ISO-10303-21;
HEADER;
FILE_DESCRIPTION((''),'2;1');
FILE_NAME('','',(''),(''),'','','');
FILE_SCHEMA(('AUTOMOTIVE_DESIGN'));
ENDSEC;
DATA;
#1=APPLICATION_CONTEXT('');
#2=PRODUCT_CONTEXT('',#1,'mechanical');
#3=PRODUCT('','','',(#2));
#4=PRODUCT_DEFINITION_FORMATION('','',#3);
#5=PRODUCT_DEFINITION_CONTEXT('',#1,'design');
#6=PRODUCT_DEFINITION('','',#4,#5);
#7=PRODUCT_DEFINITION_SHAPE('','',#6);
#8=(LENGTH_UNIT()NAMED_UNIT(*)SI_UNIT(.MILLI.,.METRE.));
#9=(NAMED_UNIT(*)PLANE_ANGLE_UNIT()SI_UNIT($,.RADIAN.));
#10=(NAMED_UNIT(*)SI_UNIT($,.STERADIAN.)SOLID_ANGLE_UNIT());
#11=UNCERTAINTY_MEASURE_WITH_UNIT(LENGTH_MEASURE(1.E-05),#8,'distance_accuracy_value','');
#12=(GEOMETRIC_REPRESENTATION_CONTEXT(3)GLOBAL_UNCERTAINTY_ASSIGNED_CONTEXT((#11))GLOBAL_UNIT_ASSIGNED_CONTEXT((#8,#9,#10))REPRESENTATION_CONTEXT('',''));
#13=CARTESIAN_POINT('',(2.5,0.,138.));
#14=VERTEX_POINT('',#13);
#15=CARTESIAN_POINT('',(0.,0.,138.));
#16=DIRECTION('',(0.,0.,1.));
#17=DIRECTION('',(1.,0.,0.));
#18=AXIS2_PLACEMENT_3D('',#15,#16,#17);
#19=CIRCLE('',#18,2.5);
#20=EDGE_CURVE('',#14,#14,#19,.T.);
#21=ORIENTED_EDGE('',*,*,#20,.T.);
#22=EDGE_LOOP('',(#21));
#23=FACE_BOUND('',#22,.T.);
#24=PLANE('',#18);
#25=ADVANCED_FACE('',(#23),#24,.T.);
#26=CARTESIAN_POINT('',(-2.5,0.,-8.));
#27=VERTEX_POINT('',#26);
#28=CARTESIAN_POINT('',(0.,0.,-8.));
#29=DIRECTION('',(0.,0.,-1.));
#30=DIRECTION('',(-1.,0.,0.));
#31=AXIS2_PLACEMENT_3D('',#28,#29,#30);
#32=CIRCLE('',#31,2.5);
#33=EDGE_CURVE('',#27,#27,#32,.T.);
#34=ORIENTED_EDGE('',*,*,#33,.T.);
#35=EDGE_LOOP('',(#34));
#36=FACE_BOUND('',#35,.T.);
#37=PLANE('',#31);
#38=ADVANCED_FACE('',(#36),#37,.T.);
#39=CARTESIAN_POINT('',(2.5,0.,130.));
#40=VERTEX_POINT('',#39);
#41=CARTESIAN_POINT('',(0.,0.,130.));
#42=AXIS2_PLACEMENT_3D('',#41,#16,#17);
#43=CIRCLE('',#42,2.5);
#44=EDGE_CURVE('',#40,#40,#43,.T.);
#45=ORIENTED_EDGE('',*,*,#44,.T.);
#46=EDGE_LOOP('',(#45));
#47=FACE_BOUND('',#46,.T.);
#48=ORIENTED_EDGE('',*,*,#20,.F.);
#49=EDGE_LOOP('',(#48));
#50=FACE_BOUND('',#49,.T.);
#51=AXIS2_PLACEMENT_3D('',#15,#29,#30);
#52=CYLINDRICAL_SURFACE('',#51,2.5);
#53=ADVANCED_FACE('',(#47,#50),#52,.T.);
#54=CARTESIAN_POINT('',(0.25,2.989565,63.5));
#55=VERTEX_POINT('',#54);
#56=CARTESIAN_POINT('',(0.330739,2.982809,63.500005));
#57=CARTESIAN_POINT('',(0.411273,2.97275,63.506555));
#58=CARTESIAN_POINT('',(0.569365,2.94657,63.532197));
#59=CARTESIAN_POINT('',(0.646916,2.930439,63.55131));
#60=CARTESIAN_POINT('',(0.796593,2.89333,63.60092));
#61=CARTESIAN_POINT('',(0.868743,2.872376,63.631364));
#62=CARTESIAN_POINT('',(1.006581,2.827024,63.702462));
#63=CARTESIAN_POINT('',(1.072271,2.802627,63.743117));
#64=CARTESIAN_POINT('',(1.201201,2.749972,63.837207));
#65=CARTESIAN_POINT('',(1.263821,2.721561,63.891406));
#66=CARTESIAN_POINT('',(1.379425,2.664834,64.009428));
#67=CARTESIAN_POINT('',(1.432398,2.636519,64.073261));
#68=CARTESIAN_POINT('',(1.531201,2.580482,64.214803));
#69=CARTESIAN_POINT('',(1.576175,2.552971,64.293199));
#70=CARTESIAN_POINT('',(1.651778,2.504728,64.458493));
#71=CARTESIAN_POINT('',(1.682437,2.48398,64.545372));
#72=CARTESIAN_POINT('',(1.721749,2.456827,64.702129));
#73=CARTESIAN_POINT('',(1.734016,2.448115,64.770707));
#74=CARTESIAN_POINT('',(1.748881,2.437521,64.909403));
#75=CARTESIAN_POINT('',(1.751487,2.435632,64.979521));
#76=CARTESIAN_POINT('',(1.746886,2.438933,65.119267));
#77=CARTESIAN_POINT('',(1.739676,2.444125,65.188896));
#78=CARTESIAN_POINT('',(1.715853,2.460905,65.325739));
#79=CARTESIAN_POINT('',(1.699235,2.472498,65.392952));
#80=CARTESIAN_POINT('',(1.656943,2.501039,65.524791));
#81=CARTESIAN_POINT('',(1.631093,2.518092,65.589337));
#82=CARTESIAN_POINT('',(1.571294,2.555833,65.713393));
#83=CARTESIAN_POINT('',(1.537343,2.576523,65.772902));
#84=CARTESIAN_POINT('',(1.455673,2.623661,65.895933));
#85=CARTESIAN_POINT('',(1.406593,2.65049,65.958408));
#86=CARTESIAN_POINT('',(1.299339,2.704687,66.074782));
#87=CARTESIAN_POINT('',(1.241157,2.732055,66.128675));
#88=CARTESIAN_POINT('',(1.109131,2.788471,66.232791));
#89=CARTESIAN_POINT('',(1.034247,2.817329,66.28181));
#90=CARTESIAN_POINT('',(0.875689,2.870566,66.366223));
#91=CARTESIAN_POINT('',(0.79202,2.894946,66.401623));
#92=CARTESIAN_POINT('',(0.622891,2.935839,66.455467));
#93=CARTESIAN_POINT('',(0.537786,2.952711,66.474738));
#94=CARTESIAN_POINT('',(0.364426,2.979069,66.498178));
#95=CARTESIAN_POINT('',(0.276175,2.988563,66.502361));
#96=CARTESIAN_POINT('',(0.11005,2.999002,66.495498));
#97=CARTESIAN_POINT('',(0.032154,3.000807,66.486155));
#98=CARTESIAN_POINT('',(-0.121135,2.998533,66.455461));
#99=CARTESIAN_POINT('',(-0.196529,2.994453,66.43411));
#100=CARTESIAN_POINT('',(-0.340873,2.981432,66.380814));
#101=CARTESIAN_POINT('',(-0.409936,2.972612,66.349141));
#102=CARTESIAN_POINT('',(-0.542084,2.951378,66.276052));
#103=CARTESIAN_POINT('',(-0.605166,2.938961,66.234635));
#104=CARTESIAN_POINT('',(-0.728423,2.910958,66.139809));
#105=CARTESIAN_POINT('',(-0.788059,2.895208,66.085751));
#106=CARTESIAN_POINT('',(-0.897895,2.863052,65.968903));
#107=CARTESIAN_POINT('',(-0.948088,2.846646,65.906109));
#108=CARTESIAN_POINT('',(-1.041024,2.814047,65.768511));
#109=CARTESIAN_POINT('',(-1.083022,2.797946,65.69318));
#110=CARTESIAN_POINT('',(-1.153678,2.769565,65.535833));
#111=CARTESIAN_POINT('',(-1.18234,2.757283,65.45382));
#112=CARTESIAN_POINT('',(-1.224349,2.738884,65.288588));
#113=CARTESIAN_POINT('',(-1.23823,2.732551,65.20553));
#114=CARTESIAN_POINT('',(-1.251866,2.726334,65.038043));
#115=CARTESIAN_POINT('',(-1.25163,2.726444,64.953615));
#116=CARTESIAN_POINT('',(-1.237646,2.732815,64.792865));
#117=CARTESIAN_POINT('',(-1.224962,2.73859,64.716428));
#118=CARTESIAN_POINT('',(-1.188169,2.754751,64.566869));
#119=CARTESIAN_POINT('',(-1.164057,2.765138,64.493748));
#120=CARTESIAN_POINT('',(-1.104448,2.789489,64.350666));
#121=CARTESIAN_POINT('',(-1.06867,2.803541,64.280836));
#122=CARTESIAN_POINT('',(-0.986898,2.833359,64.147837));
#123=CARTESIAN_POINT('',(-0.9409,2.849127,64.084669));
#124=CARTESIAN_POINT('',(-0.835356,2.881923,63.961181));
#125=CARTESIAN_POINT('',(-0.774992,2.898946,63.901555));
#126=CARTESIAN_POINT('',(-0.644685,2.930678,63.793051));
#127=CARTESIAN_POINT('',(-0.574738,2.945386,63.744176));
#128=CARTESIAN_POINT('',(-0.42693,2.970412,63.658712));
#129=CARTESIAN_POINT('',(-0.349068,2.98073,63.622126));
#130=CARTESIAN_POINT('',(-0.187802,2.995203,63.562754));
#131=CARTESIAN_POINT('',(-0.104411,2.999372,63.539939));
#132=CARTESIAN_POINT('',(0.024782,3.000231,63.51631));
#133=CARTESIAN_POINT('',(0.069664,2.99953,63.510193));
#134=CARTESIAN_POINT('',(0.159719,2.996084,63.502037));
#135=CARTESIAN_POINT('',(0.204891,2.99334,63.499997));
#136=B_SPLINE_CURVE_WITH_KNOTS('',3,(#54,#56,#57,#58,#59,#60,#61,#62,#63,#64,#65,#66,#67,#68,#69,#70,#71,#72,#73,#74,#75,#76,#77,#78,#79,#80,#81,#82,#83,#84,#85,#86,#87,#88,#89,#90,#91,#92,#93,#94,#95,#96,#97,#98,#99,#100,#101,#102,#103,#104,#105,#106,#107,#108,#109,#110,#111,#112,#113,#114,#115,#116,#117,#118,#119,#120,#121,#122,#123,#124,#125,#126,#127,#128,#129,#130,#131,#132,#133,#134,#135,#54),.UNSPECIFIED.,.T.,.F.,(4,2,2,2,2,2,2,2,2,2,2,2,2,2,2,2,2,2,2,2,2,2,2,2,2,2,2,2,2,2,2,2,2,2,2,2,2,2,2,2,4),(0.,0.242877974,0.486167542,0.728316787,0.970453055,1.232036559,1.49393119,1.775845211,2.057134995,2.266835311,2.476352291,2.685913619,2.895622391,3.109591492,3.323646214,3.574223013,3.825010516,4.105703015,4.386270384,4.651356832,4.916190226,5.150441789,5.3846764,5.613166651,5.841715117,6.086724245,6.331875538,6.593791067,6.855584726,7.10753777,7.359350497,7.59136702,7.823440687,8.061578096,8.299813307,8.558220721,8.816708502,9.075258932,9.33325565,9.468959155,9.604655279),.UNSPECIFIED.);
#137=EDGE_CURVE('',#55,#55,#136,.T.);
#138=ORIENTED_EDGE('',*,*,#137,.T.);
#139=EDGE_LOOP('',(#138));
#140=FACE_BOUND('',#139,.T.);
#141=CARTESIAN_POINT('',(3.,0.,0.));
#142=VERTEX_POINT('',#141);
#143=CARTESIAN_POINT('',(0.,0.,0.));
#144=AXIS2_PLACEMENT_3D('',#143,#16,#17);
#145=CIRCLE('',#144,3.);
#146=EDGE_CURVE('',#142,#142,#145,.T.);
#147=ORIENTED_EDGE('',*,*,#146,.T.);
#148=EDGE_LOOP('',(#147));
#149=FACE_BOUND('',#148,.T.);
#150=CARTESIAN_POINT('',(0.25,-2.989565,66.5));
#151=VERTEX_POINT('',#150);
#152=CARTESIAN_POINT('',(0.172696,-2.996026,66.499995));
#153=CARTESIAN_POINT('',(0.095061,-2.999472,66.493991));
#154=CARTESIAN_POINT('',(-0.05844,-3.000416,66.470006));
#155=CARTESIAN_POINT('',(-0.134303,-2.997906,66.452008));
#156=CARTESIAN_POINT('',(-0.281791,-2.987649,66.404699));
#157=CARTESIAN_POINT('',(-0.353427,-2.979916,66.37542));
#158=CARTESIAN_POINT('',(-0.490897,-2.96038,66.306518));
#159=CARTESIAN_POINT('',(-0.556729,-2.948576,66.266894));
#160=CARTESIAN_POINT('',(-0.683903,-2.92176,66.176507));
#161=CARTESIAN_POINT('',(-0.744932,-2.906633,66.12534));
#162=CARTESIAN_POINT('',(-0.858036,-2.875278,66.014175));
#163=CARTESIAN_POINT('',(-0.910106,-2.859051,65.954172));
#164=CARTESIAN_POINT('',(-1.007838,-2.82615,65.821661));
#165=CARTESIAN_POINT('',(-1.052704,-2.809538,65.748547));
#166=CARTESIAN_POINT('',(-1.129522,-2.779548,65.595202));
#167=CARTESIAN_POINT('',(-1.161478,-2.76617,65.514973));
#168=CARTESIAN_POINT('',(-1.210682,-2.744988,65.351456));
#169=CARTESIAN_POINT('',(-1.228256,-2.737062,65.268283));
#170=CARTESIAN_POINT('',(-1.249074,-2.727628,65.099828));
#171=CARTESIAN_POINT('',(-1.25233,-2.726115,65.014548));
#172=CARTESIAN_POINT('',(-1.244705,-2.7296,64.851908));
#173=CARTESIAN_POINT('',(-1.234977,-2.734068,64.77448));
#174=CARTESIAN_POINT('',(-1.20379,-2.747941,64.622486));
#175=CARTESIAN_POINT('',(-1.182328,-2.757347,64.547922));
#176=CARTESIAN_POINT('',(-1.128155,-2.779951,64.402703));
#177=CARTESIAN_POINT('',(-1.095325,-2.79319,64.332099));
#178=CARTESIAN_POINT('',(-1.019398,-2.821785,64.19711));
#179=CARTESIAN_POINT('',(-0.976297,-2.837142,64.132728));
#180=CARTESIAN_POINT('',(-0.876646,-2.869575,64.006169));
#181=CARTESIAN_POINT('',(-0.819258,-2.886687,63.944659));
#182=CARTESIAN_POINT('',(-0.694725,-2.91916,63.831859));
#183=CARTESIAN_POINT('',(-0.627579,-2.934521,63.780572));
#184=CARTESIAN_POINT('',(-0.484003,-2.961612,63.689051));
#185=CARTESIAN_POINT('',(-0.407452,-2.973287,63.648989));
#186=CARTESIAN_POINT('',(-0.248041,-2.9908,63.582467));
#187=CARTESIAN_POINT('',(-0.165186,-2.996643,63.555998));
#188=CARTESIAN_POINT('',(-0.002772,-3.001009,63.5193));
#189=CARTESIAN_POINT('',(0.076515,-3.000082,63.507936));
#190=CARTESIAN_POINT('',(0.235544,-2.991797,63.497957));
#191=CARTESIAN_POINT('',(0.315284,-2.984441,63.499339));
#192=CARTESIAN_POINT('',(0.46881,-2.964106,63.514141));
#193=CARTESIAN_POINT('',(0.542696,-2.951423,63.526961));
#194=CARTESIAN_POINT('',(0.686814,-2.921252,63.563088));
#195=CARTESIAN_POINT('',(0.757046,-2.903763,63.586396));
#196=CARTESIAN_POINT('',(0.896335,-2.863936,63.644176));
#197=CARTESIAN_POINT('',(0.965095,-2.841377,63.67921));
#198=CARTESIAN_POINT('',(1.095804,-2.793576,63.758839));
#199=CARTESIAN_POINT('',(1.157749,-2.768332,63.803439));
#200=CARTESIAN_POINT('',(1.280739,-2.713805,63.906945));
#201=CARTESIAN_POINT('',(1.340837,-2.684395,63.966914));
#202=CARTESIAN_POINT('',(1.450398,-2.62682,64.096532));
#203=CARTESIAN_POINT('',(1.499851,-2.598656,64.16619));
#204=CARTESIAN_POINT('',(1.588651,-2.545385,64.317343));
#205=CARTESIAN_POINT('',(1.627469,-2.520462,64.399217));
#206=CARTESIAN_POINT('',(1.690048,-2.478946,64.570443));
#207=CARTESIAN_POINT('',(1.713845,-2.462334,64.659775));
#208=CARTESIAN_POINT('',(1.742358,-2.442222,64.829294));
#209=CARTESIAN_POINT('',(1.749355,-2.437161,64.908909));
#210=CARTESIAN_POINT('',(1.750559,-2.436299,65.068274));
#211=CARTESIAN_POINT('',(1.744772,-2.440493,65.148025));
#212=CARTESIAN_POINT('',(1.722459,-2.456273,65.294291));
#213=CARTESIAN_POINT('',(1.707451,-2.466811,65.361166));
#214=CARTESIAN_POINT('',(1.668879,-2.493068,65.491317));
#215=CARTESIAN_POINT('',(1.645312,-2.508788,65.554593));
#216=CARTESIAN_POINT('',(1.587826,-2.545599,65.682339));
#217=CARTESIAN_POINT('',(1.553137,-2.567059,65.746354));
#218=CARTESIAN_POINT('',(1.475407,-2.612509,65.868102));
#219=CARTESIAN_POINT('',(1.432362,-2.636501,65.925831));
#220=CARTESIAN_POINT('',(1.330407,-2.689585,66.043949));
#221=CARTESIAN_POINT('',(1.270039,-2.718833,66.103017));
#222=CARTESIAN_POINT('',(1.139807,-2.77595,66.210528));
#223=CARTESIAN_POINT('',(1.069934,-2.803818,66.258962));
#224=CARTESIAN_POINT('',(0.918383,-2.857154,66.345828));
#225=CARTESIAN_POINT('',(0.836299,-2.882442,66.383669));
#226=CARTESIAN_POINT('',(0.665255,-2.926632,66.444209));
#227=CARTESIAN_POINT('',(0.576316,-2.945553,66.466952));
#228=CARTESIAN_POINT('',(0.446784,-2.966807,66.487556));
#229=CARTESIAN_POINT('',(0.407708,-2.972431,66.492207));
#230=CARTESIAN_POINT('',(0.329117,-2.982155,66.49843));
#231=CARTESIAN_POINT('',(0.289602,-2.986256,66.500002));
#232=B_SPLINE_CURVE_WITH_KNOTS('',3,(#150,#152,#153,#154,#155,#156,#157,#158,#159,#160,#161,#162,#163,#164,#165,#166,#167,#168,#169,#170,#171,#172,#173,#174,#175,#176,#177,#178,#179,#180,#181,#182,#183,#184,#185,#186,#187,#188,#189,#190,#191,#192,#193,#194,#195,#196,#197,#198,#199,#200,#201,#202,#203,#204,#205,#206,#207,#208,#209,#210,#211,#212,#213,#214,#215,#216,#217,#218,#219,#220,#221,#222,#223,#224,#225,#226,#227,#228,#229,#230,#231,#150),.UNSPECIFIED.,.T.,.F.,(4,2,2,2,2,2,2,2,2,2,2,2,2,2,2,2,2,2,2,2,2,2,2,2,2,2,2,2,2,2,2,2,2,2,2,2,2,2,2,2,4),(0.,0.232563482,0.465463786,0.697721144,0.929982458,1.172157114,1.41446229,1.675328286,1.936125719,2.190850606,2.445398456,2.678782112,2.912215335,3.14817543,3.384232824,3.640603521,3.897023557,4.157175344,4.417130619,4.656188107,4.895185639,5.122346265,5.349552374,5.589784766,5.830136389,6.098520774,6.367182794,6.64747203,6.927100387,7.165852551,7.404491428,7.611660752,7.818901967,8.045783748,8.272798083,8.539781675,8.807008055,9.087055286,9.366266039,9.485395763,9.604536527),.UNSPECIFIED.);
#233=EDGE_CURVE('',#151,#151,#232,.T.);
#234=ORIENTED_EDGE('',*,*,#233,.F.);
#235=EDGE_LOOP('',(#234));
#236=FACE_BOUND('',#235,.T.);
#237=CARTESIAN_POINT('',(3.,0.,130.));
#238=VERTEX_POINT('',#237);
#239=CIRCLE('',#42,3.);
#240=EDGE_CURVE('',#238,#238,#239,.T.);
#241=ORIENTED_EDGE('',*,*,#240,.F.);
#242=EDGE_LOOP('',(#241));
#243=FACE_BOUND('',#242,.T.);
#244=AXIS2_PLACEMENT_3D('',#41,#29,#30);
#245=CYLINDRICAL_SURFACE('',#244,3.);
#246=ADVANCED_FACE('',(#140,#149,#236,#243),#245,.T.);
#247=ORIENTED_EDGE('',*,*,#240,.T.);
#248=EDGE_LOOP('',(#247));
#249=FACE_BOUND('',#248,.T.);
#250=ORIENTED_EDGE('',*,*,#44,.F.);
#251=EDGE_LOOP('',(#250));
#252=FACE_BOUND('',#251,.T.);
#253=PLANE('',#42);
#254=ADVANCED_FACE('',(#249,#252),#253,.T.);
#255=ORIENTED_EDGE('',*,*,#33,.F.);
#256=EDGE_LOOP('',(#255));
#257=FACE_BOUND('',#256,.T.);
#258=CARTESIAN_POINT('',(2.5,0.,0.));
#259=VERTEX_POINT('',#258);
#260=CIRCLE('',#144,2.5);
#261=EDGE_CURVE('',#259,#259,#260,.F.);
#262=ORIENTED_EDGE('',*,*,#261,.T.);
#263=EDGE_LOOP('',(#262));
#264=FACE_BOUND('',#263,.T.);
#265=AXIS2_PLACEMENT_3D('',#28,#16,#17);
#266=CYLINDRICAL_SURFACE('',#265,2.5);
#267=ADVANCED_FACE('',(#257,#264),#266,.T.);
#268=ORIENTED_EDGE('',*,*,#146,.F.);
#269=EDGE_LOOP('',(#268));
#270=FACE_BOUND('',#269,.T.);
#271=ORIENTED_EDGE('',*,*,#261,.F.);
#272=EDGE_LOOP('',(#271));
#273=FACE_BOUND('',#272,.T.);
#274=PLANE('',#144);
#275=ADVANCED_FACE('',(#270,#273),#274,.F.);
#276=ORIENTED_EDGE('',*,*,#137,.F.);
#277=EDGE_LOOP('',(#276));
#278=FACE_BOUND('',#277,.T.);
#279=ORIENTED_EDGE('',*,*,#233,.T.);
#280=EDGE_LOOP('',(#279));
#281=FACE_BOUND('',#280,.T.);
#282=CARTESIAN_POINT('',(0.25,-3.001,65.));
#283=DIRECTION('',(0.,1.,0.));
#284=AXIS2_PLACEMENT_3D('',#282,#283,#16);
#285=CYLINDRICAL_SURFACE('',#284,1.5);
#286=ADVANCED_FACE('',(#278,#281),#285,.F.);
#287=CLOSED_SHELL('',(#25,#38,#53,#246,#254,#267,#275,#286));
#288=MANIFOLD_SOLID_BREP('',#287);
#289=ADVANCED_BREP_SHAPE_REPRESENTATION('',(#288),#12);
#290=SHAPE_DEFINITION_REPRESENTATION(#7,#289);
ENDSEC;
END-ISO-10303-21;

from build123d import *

# Parameters (mm, degrees)
SKETCH1_R                           = 3
BOSS_EXTRUDE1_DEPTH                 = 130
SKETCH2_R                           = 2.5
BOSS_EXTRUDE2_DEPTH                 = 8
BOSS_EXTRUDE3_START                 = 8
SKETCH3_R                           = 2.5
BOSS_EXTRUDE3_DEPTH                 = 8
CUT_EXTRUDE1_REACH                  = 140.065
CUT_EXTRUDE1_END_RADIUS             = 3
SKETCH4_R                           = 1.5
CUT_EXTRUDE1_DIRECTION_2_REACH      = 140.065
CUT_EXTRUDE1_DIRECTION_2_END_RADIUS = 3


with BuildPart() as part:
    # Sketch1 → Boss-Extrude1 (new body)
    with BuildSketch(Plane.XY):
        Circle(SKETCH1_R)
    extrude(amount=BOSS_EXTRUDE1_DEPTH)

    # Sketch2 → Boss-Extrude2 (add)
    with BuildSketch(Plane.XY.offset(130)):
        Circle(SKETCH2_R)
    extrude(amount=BOSS_EXTRUDE2_DEPTH)

    # Sketch3 → Boss-Extrude3 (add)
    with BuildSketch(Plane(origin=(0, 0, 0), x_dir=(-1, 0, 0), z_dir=(0, 0, -1)).offset(BOSS_EXTRUDE3_START)):
        with Locations(Location((0, 0, 0), (0, 0, 180))):
            Circle(SKETCH3_R)
    extrude(amount=-BOSS_EXTRUDE3_DEPTH)

    # Cut-Extrude1: up to this cylinder (the profile starts inside it)
    cut_extrude1_end = Plane(origin=(0, 0, 65), z_dir=(0, 0, -1)) * Cylinder(CUT_EXTRUDE1_END_RADIUS, 287.13, mode=Mode.PRIVATE)
    # Sketch4 → Cut-Extrude1 (cut, up to the surface)
    with BuildSketch(Plane(origin=(0, 0, 0), x_dir=(1, 0, 0), z_dir=(0, 1, 0)), mode=Mode.PRIVATE) as cut_extrude1_sk1:
        with Locations(Location((0.25, -65, 0), (0, 0, 270))):
            Circle(SKETCH4_R)
    cut_extrude1_tool1 = extrude(cut_extrude1_sk1.sketch, amount=-CUT_EXTRUDE1_REACH, mode=Mode.PRIVATE) & cut_extrude1_end
    add(cut_extrude1_tool1.solids().sort_by_distance((0.25, 0, 65))[0], mode=Mode.SUBTRACT)

    # Cut-Extrude1 direction 2: up to this cylinder (the profile starts inside it)
    cut_extrude1_direction_2_end = Plane(origin=(0, 0, 65), z_dir=(0, 0, -1)) * Cylinder(CUT_EXTRUDE1_DIRECTION_2_END_RADIUS, 287.13, mode=Mode.PRIVATE)
    # Sketch4 → Cut-Extrude1 direction 2 (cut, up to the surface)
    with BuildSketch(Plane(origin=(0, 0, 0), x_dir=(1, 0, 0), z_dir=(0, 1, 0)), mode=Mode.PRIVATE) as cut_extrude1_direction_2_sk1:
        with Locations(Location((0.25, -65, 0), (0, 0, 270))):
            Circle(SKETCH4_R)
    cut_extrude1_direction_2_tool1 = extrude(cut_extrude1_direction_2_sk1.sketch, amount=CUT_EXTRUDE1_DIRECTION_2_REACH, mode=Mode.PRIVATE) & cut_extrude1_direction_2_end
    add(cut_extrude1_direction_2_tool1.solids().sort_by_distance((0.25, 0, 65))[0], mode=Mode.SUBTRACT)


solid = part.part
